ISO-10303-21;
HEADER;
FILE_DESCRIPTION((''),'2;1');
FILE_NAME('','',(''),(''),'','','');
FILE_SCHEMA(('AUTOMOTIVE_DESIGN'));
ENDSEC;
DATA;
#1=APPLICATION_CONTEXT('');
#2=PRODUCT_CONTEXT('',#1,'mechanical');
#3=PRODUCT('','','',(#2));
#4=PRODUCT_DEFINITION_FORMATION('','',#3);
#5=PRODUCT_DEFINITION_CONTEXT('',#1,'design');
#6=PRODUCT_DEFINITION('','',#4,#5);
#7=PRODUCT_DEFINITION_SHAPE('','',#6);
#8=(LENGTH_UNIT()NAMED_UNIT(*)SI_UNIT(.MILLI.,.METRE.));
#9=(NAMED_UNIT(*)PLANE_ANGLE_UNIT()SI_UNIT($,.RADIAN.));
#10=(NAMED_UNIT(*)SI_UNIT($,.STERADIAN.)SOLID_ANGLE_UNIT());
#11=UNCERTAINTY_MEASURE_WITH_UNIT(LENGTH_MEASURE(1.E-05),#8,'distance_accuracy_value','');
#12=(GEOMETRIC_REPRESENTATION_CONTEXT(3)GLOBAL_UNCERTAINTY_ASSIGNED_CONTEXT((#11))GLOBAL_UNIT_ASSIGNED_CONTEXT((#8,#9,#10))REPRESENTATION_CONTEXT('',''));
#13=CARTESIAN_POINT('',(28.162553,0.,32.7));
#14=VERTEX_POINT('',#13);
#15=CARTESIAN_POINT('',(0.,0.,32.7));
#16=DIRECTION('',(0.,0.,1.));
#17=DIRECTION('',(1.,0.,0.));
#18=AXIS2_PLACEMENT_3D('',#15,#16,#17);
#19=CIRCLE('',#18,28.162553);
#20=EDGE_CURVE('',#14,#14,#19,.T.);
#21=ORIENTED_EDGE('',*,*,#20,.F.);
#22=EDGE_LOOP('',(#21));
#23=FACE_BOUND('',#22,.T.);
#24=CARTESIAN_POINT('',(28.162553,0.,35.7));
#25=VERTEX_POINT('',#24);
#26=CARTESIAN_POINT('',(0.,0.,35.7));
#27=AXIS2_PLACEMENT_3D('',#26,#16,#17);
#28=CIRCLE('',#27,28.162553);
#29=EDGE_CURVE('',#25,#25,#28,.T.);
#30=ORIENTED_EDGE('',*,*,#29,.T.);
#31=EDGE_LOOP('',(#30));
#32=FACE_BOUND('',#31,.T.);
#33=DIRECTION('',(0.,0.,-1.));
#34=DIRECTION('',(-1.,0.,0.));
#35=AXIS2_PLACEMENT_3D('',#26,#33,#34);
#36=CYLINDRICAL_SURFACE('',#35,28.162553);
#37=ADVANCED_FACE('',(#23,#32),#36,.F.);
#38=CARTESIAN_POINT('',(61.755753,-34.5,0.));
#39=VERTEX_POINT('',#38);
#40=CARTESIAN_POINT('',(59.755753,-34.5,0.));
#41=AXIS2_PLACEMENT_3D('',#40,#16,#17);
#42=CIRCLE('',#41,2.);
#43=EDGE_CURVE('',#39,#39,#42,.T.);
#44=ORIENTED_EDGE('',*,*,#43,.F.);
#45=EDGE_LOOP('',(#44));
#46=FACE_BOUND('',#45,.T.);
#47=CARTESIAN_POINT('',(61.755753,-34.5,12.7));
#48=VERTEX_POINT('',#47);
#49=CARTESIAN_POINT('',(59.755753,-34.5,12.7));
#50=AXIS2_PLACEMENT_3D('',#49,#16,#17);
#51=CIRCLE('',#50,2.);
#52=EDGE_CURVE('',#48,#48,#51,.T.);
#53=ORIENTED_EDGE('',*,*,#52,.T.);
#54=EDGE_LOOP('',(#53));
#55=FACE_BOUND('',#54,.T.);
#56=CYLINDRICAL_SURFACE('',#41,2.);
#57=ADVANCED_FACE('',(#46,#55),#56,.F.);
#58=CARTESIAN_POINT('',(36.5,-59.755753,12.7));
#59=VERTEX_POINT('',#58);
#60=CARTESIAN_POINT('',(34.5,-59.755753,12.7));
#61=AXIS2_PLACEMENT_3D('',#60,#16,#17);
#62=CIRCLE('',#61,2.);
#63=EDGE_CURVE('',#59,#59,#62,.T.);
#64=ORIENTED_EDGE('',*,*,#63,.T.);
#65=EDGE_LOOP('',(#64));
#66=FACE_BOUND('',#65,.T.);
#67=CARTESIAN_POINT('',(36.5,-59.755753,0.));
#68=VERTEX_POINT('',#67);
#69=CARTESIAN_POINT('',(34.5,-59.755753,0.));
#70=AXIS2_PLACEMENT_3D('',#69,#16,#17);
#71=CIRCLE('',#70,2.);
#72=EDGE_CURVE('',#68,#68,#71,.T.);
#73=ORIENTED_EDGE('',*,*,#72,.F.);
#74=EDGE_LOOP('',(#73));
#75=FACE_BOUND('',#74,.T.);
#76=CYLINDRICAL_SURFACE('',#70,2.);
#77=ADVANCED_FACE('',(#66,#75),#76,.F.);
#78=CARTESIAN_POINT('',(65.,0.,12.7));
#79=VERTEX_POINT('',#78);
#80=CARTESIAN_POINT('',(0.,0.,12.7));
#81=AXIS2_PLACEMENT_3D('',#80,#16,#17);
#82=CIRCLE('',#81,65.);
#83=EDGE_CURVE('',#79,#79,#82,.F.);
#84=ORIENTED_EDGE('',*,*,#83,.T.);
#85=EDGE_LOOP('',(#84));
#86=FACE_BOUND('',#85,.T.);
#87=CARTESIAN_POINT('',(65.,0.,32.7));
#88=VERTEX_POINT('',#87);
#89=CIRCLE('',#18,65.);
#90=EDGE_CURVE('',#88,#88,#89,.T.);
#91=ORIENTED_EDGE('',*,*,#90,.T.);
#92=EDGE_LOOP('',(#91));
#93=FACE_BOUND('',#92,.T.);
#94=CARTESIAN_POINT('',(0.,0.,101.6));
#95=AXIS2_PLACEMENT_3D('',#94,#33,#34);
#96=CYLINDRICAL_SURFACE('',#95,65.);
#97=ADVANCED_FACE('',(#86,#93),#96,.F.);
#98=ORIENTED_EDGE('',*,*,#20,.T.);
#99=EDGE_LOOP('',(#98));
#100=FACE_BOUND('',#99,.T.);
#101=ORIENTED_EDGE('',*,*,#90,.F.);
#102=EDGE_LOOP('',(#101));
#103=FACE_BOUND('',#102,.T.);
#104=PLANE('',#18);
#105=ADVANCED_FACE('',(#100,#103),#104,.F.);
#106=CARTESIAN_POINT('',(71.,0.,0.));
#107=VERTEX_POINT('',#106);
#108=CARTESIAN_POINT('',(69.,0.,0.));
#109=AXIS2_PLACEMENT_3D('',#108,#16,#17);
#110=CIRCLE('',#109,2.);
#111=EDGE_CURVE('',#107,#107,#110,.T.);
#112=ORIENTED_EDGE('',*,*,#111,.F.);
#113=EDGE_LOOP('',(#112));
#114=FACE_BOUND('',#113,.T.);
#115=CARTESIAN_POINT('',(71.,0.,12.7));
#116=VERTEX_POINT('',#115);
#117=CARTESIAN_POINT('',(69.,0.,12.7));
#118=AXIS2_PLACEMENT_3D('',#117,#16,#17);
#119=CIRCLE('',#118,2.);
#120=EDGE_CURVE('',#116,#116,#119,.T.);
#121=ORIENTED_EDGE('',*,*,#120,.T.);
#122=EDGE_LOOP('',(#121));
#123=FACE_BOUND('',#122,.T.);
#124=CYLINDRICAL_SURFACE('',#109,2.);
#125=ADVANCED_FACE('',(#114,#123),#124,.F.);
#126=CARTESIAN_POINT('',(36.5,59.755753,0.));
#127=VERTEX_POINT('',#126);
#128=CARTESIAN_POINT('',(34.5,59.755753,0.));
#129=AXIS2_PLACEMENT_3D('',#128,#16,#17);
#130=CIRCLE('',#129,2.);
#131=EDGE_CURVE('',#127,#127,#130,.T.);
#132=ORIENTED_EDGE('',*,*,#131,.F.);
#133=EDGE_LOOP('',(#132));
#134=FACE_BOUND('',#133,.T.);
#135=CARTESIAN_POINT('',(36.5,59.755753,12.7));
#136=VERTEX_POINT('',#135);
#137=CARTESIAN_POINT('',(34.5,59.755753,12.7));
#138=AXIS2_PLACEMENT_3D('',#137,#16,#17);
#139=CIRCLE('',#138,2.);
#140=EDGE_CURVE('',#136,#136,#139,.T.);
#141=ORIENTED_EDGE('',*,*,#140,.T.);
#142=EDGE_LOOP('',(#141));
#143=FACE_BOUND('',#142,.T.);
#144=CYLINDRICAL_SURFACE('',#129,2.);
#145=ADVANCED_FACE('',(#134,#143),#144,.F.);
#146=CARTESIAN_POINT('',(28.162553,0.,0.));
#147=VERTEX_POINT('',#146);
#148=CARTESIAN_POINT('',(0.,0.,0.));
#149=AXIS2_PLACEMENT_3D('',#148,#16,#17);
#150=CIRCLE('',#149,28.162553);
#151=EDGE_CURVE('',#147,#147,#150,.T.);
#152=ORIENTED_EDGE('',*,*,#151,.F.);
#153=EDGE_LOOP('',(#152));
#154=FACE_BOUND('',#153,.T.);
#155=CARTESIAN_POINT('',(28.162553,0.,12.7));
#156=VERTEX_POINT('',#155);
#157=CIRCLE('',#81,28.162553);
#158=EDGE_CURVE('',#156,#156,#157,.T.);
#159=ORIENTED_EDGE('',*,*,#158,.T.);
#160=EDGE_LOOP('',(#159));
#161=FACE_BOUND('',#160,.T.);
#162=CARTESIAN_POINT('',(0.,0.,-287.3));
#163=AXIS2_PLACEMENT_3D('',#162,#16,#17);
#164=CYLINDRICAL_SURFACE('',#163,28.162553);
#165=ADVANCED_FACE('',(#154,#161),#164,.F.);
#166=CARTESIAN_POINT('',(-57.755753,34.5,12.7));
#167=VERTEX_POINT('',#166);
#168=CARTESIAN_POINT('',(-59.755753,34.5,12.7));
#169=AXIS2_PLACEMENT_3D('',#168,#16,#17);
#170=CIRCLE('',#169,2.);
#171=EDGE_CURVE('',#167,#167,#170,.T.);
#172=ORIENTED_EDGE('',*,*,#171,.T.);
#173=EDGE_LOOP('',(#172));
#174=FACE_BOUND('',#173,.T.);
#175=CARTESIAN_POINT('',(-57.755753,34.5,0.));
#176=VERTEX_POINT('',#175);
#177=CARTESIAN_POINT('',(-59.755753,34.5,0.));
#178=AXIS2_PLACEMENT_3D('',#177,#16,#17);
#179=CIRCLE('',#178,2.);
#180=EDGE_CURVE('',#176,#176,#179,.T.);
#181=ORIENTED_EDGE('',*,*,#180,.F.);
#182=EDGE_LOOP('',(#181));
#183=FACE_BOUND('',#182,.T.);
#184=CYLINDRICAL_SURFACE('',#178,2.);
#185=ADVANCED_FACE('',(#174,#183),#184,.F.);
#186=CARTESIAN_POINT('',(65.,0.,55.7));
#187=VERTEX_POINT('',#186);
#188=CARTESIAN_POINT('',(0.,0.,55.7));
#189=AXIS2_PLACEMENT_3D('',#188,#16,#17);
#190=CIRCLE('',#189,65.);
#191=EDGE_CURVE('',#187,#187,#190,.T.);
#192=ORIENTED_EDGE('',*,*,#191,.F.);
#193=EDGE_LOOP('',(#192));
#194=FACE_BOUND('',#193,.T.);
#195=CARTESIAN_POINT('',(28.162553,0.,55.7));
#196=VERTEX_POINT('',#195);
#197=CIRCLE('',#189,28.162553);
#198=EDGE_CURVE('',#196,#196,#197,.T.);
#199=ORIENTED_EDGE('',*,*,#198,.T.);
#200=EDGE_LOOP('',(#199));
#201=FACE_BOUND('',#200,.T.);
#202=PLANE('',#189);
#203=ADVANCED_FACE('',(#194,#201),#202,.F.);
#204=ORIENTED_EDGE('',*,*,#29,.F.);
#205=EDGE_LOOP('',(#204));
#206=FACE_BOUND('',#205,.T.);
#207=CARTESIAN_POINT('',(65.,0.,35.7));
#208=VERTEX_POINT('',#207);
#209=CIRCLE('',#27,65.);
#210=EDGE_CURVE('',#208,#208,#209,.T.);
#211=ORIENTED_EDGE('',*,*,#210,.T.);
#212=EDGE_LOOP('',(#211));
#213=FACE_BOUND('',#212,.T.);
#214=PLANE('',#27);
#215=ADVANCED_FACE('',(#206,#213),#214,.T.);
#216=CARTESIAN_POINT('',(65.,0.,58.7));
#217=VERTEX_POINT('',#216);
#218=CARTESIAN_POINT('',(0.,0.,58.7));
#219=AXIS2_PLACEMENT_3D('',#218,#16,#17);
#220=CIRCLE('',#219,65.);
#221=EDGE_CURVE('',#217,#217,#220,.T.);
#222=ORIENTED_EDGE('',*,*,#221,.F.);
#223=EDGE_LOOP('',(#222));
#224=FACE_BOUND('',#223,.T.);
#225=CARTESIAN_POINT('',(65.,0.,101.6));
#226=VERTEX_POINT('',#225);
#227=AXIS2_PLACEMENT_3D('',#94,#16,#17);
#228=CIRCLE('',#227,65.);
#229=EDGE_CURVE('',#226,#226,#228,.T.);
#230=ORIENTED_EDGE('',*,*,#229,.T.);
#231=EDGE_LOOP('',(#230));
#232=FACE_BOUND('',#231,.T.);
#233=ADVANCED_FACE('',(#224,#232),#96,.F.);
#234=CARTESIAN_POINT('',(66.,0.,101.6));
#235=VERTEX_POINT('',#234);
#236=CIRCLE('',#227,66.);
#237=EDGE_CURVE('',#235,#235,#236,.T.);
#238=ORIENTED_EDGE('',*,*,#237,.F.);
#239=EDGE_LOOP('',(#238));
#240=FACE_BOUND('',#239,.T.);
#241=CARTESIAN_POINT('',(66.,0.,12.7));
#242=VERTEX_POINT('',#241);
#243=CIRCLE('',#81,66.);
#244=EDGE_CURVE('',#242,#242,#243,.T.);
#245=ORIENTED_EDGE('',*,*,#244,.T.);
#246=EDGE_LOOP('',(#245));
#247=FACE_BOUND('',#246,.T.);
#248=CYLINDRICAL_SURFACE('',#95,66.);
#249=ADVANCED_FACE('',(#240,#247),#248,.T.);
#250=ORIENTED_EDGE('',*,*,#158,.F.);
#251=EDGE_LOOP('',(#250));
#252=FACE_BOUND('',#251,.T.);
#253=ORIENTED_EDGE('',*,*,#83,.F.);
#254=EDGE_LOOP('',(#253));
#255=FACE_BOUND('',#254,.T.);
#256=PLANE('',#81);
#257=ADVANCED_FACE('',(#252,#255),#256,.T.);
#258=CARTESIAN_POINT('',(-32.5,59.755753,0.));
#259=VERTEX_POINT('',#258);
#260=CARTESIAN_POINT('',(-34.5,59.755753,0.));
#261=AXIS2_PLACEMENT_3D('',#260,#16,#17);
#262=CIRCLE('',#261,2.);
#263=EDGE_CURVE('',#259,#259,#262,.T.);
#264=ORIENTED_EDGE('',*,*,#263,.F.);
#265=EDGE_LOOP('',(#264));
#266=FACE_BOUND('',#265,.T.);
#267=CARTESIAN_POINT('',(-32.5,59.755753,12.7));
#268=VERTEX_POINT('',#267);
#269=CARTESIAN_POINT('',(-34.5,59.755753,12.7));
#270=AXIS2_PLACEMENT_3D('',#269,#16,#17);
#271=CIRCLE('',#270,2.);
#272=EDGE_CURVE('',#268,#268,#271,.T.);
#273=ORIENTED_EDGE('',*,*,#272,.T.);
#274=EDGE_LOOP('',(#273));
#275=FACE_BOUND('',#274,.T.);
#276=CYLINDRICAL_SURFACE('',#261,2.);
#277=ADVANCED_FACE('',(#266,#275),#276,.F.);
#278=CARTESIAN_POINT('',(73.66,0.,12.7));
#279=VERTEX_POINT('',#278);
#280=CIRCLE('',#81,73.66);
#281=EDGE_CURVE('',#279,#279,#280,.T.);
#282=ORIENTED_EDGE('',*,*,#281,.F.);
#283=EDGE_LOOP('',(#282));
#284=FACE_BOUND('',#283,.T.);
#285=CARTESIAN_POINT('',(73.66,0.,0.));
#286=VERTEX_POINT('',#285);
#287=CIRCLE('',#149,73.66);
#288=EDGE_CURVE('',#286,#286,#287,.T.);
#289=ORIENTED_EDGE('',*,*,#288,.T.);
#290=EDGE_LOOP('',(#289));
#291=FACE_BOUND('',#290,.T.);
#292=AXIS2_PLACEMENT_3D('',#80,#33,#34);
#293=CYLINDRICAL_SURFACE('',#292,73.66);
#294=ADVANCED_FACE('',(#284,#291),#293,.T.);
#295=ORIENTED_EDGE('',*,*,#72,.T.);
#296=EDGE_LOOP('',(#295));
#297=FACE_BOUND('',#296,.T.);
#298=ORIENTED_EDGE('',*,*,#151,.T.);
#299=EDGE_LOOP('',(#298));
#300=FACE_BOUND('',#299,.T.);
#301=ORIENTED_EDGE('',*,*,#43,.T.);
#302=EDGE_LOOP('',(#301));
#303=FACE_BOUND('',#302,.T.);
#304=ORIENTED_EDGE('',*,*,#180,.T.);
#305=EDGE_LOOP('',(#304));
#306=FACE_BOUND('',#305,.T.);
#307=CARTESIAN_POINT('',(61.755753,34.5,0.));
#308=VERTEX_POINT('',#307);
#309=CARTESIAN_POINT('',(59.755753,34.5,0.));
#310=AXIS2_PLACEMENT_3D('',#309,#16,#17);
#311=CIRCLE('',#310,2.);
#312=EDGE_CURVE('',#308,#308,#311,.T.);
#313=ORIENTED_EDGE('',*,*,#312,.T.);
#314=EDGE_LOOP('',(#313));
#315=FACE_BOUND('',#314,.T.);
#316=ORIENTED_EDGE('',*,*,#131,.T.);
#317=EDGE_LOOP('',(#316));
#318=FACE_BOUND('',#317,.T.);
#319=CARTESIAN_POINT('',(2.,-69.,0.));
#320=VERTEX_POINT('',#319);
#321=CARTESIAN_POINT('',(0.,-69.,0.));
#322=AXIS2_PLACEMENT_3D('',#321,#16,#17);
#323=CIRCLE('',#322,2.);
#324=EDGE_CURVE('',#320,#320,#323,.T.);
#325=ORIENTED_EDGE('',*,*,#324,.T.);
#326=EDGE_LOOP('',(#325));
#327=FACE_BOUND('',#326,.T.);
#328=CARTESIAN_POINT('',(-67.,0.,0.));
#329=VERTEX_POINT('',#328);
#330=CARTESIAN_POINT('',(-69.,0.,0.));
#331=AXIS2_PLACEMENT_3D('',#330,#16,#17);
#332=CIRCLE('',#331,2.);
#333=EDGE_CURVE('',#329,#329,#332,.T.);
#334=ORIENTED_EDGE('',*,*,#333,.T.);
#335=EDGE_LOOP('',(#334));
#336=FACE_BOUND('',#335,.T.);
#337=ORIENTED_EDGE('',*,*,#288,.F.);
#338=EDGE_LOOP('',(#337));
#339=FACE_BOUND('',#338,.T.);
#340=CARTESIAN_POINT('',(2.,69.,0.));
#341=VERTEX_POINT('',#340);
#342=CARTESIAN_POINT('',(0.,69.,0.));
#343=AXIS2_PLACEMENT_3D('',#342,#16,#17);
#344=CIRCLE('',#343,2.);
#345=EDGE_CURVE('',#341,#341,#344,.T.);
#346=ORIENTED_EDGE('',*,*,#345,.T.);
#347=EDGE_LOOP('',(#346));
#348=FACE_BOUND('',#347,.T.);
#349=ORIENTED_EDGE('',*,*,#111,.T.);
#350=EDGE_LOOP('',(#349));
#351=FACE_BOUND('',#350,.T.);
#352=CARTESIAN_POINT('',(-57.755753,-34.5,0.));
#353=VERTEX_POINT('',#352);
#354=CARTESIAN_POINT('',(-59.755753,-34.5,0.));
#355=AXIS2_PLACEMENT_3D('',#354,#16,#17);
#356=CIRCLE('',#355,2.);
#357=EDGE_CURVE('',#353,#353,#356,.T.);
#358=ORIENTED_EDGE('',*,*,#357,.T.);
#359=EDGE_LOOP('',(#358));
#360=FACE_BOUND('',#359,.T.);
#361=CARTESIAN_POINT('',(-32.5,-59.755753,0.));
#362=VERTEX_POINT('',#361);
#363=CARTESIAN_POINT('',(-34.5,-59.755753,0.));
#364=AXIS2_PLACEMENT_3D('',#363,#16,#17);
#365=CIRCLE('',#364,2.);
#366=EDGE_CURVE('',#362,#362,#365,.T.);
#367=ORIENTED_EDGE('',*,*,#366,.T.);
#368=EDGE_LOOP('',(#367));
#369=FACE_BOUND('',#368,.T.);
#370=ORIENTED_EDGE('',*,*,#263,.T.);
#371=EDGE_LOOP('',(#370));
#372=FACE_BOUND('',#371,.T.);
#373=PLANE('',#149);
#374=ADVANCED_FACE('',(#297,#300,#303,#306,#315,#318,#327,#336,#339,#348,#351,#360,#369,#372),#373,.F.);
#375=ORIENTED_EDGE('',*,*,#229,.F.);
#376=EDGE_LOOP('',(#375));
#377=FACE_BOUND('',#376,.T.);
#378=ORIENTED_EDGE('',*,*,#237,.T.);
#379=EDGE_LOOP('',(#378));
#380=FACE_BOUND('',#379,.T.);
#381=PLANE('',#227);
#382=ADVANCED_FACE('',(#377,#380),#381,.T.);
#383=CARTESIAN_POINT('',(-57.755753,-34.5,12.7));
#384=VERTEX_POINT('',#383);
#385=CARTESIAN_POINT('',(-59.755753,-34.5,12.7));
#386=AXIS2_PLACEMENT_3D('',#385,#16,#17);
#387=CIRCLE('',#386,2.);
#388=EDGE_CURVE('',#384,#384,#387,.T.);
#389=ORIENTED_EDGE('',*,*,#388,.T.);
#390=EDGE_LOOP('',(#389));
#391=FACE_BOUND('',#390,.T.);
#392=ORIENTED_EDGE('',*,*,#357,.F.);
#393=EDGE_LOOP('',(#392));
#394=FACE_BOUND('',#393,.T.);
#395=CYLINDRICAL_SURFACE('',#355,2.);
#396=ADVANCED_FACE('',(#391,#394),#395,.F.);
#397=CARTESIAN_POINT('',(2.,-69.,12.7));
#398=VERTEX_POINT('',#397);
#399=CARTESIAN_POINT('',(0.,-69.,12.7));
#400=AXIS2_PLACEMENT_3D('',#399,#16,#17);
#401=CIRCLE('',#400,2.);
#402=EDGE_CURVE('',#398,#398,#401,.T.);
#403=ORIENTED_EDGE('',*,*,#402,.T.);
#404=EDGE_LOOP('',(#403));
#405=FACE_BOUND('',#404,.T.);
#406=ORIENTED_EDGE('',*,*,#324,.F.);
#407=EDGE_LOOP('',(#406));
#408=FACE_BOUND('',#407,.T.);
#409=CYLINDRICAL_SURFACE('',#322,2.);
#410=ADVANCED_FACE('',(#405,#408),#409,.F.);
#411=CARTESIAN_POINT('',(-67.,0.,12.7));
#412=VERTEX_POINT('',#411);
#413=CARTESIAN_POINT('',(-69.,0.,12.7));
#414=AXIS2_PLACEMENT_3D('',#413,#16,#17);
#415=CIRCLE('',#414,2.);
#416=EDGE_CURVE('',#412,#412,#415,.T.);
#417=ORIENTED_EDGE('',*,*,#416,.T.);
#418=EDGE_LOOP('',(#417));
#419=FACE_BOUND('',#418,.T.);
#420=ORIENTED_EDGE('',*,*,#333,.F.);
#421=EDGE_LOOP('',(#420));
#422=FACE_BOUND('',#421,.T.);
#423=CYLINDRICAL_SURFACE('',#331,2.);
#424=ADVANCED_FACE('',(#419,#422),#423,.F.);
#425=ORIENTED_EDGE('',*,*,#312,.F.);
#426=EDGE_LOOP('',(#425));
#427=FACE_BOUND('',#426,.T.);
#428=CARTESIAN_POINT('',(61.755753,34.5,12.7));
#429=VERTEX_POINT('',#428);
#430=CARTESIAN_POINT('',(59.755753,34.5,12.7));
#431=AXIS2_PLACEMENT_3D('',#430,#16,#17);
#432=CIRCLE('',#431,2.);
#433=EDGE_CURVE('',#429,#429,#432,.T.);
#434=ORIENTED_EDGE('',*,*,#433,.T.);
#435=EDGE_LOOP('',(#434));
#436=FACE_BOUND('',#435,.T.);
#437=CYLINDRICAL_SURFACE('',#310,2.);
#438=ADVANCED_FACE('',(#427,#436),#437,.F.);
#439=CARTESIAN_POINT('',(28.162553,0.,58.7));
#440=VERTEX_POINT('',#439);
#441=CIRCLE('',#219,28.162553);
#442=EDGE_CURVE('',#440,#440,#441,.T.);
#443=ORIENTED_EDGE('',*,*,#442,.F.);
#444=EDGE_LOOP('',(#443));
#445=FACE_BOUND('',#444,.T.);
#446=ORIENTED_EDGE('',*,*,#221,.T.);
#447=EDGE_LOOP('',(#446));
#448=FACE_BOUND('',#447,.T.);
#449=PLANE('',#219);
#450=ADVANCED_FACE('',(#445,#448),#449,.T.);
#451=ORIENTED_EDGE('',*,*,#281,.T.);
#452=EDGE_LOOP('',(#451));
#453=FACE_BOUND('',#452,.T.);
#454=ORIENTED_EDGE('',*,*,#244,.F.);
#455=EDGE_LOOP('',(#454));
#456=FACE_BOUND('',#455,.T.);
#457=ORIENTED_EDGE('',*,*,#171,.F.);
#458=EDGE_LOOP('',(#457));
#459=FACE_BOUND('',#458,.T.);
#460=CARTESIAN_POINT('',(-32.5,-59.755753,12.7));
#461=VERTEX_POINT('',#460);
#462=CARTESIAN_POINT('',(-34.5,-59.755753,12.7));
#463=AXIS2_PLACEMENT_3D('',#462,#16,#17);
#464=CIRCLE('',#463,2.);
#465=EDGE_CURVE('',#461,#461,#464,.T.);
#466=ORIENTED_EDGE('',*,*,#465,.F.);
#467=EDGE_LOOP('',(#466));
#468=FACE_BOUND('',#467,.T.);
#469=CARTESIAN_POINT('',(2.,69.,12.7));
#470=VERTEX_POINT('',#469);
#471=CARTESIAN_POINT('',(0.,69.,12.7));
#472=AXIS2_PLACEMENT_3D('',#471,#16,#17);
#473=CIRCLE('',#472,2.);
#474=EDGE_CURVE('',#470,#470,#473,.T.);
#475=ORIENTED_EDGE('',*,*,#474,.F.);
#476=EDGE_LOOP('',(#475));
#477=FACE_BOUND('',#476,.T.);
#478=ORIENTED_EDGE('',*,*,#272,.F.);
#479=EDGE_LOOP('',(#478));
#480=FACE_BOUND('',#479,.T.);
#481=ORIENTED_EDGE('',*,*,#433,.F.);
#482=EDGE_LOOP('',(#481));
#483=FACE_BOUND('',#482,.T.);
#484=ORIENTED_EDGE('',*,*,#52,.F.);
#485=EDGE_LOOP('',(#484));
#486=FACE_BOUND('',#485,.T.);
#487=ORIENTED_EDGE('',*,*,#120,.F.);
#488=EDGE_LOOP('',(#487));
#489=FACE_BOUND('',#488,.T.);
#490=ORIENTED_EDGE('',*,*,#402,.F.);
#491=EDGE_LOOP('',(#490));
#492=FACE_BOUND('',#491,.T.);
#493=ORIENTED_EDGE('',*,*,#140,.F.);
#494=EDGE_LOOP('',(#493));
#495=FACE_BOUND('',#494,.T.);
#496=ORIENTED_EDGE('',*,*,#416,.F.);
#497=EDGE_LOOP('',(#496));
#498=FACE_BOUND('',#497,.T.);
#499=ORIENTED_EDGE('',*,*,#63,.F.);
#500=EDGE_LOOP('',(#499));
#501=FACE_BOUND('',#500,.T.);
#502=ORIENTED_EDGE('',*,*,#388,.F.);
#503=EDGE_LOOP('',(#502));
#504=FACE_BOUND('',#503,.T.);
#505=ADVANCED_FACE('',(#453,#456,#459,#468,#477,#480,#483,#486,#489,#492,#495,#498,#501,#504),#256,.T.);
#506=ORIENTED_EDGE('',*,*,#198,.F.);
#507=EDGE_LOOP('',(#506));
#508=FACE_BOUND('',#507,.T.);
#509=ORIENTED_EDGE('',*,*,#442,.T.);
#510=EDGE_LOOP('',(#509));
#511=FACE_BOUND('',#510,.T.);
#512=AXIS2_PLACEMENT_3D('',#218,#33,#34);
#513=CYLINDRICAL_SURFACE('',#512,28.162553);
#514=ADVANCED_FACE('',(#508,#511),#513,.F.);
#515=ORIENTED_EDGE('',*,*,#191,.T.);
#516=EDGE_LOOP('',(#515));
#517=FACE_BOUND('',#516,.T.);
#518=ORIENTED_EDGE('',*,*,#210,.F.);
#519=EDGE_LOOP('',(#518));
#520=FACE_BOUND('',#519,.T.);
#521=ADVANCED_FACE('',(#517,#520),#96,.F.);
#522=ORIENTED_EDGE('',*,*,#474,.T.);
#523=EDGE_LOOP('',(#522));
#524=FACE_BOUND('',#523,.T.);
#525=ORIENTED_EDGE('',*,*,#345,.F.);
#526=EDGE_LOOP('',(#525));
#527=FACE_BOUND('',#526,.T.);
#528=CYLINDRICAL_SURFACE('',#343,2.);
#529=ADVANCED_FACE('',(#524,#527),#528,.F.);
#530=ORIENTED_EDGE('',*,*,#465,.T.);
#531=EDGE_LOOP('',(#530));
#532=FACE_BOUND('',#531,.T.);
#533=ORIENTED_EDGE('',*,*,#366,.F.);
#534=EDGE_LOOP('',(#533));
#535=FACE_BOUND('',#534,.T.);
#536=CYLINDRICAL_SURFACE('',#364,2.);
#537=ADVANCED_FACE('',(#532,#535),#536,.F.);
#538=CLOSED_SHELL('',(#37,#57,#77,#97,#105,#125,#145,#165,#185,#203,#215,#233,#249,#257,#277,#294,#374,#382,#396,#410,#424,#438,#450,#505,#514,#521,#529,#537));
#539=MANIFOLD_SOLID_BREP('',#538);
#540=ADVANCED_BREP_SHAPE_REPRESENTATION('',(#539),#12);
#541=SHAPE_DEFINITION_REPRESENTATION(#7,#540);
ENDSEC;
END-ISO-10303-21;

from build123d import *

# Parameters (mm, degrees)
SKETCH1_R           = 73.66
BOSS_EXTRUDE1_DEPTH = 12.7
SKETCH2_R           = 2
CUT_EXTRUDE1_DEPTH  = 12.7
SKETCH3_R           = 66
SKETCH3_R_2         = 65
BOSS_EXTRUDE2_DEPTH = 88.9
SKETCH4_R           = 65
SKETCH4_R_2         = 28.162552898
BOSS_EXTRUDE3_DEPTH = 3
SKETCH5_R           = 65
SKETCH5_R_2         = 28.162552898
BOSS_EXTRUDE4_DEPTH = 3
CUT_EXTRUDE2_START  = -300
SKETCH6_R           = 28.162552898
CUT_EXTRUDE2_DEPTH  = 300


with BuildPart() as part:
    # Sketch1 → Boss-Extrude1 (new body)
    with BuildSketch(Plane.XY):
        Circle(SKETCH1_R)
    extrude(amount=BOSS_EXTRUDE1_DEPTH)

    # Sketch2 → Cut-Extrude1 (cut)
    with BuildSketch(Plane.XY.offset(12.7)):
        with Locations((0, 69)):
            Circle(SKETCH2_R)
        with Locations((34.5, 59.755752861)):
            Circle(SKETCH2_R)
        with Locations((59.755752861, 34.5)):
            Circle(SKETCH2_R)
        with Locations((69, 0)):
            Circle(SKETCH2_R)
        with Locations((59.755752861, -34.5)):
            Circle(SKETCH2_R)
        with Locations((34.5, -59.755752861)):
            Circle(SKETCH2_R)
        with Locations((0, -69)):
            Circle(SKETCH2_R)
        with Locations((-34.5, -59.755752861)):
            Circle(SKETCH2_R)
        with Locations((-59.755752861, -34.5)):
            Circle(SKETCH2_R)
        with Locations((-69, 0)):
            Circle(SKETCH2_R)
        with Locations((-59.755752861, 34.5)):
            Circle(SKETCH2_R)
        with Locations((-34.5, 59.755752861)):
            Circle(SKETCH2_R)
    extrude(amount=-CUT_EXTRUDE1_DEPTH, mode=Mode.SUBTRACT)

    # Sketch3 → Boss-Extrude2 (add)
    with BuildSketch(Plane.XY.offset(12.7)):
        Circle(SKETCH3_R)
        Circle(SKETCH3_R_2, mode=Mode.SUBTRACT)
    extrude(amount=BOSS_EXTRUDE2_DEPTH)

    # Sketch4 → Boss-Extrude3 (add)
    with BuildSketch(Plane.XY.offset(32.7)):
        Circle(SKETCH4_R)
        Circle(SKETCH4_R_2, mode=Mode.SUBTRACT)
    extrude(amount=BOSS_EXTRUDE3_DEPTH)

    # Sketch5 → Boss-Extrude4 (add)
    with BuildSketch(Plane.XY.offset(55.7)):
        Circle(SKETCH5_R)
        Circle(SKETCH5_R_2, mode=Mode.SUBTRACT)
    extrude(amount=BOSS_EXTRUDE4_DEPTH)

    # Sketch6 → Cut-Extrude2 (cut)
    with BuildSketch(Plane.XY.offset(12.7).offset(CUT_EXTRUDE2_START)):
        Circle(SKETCH6_R)
    extrude(amount=CUT_EXTRUDE2_DEPTH, mode=Mode.SUBTRACT)


solid = part.part
